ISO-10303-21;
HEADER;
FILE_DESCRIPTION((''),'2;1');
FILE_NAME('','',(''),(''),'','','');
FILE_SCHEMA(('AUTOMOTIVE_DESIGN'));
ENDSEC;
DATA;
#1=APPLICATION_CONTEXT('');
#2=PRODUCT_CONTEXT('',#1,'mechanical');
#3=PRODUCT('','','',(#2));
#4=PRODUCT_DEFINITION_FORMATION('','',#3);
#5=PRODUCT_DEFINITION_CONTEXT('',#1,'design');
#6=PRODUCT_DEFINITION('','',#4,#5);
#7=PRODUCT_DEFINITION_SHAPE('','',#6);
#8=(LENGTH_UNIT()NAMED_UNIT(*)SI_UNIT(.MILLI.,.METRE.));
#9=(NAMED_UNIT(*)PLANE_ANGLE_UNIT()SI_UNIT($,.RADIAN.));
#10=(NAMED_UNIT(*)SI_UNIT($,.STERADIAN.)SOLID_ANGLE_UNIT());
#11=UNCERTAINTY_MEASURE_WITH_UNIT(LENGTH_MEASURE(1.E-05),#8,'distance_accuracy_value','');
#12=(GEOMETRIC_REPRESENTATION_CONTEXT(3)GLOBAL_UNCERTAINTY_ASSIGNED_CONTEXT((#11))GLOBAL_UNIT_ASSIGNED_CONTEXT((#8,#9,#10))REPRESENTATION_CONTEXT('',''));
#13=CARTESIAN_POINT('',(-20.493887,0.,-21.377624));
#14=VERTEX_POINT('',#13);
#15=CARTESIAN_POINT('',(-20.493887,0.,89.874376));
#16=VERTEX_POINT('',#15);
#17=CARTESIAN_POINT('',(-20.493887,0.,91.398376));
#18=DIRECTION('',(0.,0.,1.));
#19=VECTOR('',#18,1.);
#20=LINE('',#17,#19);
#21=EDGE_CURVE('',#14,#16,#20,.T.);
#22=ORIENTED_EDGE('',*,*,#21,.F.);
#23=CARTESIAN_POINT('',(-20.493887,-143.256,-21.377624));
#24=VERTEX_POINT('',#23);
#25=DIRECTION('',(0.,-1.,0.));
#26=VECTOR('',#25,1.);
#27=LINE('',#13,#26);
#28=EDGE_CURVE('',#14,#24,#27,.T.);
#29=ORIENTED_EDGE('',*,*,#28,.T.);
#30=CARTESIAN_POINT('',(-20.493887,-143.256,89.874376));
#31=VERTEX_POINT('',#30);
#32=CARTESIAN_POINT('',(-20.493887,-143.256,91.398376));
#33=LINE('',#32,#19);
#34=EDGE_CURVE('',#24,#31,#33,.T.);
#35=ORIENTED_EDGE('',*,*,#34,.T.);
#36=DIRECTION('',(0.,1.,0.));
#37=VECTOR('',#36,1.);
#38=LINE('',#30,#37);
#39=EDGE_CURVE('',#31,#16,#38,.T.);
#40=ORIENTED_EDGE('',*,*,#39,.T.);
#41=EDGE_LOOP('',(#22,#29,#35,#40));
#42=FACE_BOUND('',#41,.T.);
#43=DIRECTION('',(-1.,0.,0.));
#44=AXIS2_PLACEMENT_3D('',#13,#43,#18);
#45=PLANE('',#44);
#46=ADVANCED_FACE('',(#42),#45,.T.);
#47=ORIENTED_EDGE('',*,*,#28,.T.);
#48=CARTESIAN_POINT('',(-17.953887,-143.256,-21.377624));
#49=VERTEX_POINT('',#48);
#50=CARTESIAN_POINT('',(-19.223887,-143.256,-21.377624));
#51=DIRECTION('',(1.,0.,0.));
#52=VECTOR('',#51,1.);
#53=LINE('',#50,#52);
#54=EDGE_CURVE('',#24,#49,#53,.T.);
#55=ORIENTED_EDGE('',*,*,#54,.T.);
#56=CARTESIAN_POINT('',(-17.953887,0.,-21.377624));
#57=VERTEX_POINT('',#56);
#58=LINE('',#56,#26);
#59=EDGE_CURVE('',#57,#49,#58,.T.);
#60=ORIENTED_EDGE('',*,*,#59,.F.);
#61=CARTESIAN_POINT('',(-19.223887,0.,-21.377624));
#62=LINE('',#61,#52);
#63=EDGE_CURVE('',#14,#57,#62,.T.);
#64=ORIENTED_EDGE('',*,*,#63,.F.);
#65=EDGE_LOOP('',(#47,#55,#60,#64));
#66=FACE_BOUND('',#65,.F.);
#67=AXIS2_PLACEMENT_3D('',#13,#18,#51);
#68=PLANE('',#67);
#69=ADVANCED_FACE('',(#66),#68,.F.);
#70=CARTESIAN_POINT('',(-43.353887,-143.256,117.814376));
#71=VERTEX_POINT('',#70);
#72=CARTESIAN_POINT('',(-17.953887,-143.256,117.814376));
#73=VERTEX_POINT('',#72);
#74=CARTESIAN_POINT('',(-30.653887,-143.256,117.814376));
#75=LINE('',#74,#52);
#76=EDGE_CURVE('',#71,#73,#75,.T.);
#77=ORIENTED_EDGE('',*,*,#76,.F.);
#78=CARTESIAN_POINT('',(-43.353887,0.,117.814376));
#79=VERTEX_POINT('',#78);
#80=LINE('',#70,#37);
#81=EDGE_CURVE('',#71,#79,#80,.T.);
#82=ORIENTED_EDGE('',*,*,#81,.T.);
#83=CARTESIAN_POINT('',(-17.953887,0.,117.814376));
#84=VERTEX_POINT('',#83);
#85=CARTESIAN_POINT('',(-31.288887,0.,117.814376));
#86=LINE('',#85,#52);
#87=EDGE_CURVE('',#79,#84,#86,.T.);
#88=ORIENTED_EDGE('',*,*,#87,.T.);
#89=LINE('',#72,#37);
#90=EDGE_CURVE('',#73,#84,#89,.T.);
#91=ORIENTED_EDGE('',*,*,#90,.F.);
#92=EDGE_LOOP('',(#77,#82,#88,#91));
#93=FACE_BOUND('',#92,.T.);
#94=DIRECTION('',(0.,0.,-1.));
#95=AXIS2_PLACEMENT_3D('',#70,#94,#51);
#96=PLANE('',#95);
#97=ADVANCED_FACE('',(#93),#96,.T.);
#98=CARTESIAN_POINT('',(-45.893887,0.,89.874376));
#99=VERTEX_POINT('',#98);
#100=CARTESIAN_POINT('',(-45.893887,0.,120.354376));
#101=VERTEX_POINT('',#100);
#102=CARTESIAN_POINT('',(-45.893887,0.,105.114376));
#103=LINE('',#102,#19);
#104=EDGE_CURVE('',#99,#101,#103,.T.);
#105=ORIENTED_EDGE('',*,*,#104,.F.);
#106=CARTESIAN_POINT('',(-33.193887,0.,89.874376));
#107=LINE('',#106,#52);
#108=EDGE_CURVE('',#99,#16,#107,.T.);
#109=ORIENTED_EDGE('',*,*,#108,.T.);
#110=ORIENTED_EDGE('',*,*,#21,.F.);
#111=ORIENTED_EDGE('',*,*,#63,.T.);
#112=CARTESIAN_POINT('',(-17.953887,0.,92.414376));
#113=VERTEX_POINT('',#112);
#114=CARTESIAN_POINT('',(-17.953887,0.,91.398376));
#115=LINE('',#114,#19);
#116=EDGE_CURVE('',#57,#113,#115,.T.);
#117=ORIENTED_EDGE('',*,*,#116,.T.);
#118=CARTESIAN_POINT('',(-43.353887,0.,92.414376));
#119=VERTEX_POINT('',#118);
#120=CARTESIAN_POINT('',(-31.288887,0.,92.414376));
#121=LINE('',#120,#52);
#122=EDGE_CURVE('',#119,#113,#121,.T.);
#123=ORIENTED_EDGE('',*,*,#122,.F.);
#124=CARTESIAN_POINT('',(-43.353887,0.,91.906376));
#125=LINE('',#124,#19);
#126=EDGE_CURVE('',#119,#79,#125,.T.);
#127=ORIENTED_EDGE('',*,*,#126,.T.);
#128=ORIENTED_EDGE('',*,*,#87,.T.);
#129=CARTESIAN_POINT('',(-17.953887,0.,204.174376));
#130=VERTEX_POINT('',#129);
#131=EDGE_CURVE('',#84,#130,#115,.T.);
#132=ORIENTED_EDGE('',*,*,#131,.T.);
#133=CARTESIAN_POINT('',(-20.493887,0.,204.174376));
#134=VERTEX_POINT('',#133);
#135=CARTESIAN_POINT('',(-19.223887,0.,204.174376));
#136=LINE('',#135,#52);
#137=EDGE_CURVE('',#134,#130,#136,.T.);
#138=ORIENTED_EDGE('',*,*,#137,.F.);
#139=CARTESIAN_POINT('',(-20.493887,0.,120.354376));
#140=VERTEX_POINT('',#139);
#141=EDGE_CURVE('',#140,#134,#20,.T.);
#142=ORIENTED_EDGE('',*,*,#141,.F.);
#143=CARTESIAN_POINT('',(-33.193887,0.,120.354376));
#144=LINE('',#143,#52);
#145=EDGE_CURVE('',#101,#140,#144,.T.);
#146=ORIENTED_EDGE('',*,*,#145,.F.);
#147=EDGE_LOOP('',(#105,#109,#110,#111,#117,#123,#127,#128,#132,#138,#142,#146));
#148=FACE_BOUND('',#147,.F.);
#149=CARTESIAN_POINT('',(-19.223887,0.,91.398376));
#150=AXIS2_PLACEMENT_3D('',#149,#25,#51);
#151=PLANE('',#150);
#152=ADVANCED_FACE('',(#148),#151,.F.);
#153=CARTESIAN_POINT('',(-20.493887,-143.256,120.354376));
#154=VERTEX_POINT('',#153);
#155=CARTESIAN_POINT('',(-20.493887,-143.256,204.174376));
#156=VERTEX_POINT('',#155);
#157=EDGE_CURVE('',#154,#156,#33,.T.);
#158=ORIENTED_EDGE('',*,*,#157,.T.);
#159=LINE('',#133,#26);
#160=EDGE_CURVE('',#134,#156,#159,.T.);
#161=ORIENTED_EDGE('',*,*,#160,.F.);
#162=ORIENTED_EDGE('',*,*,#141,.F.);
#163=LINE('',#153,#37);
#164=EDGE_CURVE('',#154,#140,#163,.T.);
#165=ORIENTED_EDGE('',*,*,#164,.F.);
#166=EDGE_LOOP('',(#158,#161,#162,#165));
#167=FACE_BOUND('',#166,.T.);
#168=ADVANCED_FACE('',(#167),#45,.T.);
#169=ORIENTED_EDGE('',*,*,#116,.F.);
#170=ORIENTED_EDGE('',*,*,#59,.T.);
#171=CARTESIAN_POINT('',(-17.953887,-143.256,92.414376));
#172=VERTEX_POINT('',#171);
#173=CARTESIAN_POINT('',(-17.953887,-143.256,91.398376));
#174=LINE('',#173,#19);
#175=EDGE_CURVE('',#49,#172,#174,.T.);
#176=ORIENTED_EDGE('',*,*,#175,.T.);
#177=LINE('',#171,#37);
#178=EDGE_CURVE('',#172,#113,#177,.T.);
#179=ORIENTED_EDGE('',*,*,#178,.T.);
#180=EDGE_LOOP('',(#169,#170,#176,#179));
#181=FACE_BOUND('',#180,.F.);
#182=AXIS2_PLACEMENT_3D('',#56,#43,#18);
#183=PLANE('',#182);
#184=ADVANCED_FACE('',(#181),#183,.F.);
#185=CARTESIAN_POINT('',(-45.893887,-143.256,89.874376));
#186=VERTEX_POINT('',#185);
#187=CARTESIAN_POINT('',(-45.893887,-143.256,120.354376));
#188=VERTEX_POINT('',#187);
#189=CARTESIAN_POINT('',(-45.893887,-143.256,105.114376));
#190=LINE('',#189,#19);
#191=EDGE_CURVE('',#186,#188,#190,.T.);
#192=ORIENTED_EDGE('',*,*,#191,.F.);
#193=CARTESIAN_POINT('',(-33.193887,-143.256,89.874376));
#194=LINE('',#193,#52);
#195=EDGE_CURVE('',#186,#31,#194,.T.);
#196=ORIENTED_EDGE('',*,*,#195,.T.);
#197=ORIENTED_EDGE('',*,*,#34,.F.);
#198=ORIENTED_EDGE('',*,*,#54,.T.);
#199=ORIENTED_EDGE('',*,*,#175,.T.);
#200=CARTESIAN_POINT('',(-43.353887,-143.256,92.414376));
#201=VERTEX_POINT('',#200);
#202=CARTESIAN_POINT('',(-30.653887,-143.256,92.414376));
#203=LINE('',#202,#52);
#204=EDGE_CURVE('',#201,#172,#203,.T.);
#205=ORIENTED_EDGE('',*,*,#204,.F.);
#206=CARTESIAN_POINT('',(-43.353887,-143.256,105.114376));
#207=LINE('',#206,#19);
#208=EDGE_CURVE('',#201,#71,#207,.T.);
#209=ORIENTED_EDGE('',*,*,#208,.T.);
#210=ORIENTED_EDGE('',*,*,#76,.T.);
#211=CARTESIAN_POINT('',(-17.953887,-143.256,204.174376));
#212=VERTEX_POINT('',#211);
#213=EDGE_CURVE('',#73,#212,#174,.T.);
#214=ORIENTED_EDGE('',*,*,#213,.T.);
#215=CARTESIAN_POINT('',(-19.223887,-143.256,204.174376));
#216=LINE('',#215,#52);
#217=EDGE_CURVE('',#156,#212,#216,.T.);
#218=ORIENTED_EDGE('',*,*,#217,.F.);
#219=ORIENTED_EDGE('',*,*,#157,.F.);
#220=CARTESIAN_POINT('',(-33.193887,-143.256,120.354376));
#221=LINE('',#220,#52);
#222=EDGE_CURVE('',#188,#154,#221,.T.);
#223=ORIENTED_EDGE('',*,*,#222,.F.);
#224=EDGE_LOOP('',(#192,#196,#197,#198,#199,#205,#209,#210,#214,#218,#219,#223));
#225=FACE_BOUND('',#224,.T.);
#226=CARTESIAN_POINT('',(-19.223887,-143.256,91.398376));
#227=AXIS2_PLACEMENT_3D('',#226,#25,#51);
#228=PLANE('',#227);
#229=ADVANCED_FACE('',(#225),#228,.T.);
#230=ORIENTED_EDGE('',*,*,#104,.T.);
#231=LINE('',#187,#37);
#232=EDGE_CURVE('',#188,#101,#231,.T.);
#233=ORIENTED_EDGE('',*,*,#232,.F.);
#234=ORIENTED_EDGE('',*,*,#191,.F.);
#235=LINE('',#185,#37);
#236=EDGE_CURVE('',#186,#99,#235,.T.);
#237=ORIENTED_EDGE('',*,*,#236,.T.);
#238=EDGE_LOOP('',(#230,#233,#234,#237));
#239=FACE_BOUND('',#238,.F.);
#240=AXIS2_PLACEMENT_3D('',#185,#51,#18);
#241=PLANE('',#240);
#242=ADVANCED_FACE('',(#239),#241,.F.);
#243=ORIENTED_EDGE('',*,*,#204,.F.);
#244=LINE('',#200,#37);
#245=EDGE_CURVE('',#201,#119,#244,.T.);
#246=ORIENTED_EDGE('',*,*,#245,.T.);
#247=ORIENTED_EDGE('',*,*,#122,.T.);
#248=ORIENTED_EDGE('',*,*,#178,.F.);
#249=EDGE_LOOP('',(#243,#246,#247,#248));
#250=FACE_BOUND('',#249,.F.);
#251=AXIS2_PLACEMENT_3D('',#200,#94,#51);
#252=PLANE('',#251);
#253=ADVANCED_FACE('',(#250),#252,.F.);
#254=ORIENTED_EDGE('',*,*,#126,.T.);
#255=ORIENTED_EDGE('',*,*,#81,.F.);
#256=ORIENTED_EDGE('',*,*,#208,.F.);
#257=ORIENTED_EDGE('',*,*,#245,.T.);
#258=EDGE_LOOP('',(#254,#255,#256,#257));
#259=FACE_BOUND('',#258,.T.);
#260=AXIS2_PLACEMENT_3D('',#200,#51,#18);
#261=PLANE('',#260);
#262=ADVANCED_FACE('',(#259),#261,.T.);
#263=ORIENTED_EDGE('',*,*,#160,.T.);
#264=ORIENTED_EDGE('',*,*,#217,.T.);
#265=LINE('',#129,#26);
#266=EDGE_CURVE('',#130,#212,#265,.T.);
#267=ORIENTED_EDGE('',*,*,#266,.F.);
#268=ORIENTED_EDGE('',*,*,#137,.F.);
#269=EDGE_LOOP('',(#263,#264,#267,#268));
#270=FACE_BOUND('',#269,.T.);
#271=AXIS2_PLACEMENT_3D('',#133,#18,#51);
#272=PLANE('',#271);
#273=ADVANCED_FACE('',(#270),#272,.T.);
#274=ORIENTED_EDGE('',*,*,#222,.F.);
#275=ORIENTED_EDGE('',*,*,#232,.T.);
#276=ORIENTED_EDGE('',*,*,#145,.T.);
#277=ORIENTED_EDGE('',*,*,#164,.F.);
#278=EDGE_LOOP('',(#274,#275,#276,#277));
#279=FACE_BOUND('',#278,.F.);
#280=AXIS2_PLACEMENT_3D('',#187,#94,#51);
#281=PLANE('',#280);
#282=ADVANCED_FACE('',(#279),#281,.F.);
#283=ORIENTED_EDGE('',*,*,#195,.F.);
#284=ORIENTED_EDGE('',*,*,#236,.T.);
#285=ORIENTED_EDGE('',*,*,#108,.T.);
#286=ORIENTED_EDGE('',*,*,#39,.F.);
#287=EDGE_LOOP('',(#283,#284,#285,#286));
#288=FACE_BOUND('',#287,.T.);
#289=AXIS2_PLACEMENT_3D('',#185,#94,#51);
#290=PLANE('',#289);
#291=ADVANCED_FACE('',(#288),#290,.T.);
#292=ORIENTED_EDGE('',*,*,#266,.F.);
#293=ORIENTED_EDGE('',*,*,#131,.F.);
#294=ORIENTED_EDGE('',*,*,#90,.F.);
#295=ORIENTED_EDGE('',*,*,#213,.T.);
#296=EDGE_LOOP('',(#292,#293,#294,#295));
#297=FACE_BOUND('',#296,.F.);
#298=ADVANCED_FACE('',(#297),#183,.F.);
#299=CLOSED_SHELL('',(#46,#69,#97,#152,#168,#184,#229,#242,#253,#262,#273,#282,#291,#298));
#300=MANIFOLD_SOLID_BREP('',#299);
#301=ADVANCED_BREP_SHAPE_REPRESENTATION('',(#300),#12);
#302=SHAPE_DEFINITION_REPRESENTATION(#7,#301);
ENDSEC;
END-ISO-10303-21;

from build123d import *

# Parameters (mm, degrees)
F0_W     = 2.54
F0_H     = 225.552
F1_DEPTH = 143.256
F2_W     = 25.4
F2_H     = 30.48
F3_DEPTH = 143.256
F4_W     = 25.4
F4_H     = 25.4
F5_DEPTH = 177.8


with BuildPart() as f1:
    # F0 (on Front) → F1 (new body)
    with BuildSketch(Plane.XZ):
        with Locations((-19.223887, 91.398376)):
            Rectangle(F0_W, F0_H)
    extrude(amount=F1_DEPTH)

    # F2 (on face) → F3 (join)
    with BuildSketch(Plane.XZ.offset(143.256)):
        with Locations((-33.193887, 105.114376)):
            Rectangle(F2_W, F2_H)
    extrude(amount=-F3_DEPTH)

    # F4 (on face) → F5 (cut)
    with BuildSketch(Plane.XZ.offset(143.256)):
        with Locations((-30.653887, 105.114376)):
            Rectangle(F4_W, F4_H)
    extrude(amount=-F5_DEPTH, mode=Mode.SUBTRACT)


solid = f1.part
